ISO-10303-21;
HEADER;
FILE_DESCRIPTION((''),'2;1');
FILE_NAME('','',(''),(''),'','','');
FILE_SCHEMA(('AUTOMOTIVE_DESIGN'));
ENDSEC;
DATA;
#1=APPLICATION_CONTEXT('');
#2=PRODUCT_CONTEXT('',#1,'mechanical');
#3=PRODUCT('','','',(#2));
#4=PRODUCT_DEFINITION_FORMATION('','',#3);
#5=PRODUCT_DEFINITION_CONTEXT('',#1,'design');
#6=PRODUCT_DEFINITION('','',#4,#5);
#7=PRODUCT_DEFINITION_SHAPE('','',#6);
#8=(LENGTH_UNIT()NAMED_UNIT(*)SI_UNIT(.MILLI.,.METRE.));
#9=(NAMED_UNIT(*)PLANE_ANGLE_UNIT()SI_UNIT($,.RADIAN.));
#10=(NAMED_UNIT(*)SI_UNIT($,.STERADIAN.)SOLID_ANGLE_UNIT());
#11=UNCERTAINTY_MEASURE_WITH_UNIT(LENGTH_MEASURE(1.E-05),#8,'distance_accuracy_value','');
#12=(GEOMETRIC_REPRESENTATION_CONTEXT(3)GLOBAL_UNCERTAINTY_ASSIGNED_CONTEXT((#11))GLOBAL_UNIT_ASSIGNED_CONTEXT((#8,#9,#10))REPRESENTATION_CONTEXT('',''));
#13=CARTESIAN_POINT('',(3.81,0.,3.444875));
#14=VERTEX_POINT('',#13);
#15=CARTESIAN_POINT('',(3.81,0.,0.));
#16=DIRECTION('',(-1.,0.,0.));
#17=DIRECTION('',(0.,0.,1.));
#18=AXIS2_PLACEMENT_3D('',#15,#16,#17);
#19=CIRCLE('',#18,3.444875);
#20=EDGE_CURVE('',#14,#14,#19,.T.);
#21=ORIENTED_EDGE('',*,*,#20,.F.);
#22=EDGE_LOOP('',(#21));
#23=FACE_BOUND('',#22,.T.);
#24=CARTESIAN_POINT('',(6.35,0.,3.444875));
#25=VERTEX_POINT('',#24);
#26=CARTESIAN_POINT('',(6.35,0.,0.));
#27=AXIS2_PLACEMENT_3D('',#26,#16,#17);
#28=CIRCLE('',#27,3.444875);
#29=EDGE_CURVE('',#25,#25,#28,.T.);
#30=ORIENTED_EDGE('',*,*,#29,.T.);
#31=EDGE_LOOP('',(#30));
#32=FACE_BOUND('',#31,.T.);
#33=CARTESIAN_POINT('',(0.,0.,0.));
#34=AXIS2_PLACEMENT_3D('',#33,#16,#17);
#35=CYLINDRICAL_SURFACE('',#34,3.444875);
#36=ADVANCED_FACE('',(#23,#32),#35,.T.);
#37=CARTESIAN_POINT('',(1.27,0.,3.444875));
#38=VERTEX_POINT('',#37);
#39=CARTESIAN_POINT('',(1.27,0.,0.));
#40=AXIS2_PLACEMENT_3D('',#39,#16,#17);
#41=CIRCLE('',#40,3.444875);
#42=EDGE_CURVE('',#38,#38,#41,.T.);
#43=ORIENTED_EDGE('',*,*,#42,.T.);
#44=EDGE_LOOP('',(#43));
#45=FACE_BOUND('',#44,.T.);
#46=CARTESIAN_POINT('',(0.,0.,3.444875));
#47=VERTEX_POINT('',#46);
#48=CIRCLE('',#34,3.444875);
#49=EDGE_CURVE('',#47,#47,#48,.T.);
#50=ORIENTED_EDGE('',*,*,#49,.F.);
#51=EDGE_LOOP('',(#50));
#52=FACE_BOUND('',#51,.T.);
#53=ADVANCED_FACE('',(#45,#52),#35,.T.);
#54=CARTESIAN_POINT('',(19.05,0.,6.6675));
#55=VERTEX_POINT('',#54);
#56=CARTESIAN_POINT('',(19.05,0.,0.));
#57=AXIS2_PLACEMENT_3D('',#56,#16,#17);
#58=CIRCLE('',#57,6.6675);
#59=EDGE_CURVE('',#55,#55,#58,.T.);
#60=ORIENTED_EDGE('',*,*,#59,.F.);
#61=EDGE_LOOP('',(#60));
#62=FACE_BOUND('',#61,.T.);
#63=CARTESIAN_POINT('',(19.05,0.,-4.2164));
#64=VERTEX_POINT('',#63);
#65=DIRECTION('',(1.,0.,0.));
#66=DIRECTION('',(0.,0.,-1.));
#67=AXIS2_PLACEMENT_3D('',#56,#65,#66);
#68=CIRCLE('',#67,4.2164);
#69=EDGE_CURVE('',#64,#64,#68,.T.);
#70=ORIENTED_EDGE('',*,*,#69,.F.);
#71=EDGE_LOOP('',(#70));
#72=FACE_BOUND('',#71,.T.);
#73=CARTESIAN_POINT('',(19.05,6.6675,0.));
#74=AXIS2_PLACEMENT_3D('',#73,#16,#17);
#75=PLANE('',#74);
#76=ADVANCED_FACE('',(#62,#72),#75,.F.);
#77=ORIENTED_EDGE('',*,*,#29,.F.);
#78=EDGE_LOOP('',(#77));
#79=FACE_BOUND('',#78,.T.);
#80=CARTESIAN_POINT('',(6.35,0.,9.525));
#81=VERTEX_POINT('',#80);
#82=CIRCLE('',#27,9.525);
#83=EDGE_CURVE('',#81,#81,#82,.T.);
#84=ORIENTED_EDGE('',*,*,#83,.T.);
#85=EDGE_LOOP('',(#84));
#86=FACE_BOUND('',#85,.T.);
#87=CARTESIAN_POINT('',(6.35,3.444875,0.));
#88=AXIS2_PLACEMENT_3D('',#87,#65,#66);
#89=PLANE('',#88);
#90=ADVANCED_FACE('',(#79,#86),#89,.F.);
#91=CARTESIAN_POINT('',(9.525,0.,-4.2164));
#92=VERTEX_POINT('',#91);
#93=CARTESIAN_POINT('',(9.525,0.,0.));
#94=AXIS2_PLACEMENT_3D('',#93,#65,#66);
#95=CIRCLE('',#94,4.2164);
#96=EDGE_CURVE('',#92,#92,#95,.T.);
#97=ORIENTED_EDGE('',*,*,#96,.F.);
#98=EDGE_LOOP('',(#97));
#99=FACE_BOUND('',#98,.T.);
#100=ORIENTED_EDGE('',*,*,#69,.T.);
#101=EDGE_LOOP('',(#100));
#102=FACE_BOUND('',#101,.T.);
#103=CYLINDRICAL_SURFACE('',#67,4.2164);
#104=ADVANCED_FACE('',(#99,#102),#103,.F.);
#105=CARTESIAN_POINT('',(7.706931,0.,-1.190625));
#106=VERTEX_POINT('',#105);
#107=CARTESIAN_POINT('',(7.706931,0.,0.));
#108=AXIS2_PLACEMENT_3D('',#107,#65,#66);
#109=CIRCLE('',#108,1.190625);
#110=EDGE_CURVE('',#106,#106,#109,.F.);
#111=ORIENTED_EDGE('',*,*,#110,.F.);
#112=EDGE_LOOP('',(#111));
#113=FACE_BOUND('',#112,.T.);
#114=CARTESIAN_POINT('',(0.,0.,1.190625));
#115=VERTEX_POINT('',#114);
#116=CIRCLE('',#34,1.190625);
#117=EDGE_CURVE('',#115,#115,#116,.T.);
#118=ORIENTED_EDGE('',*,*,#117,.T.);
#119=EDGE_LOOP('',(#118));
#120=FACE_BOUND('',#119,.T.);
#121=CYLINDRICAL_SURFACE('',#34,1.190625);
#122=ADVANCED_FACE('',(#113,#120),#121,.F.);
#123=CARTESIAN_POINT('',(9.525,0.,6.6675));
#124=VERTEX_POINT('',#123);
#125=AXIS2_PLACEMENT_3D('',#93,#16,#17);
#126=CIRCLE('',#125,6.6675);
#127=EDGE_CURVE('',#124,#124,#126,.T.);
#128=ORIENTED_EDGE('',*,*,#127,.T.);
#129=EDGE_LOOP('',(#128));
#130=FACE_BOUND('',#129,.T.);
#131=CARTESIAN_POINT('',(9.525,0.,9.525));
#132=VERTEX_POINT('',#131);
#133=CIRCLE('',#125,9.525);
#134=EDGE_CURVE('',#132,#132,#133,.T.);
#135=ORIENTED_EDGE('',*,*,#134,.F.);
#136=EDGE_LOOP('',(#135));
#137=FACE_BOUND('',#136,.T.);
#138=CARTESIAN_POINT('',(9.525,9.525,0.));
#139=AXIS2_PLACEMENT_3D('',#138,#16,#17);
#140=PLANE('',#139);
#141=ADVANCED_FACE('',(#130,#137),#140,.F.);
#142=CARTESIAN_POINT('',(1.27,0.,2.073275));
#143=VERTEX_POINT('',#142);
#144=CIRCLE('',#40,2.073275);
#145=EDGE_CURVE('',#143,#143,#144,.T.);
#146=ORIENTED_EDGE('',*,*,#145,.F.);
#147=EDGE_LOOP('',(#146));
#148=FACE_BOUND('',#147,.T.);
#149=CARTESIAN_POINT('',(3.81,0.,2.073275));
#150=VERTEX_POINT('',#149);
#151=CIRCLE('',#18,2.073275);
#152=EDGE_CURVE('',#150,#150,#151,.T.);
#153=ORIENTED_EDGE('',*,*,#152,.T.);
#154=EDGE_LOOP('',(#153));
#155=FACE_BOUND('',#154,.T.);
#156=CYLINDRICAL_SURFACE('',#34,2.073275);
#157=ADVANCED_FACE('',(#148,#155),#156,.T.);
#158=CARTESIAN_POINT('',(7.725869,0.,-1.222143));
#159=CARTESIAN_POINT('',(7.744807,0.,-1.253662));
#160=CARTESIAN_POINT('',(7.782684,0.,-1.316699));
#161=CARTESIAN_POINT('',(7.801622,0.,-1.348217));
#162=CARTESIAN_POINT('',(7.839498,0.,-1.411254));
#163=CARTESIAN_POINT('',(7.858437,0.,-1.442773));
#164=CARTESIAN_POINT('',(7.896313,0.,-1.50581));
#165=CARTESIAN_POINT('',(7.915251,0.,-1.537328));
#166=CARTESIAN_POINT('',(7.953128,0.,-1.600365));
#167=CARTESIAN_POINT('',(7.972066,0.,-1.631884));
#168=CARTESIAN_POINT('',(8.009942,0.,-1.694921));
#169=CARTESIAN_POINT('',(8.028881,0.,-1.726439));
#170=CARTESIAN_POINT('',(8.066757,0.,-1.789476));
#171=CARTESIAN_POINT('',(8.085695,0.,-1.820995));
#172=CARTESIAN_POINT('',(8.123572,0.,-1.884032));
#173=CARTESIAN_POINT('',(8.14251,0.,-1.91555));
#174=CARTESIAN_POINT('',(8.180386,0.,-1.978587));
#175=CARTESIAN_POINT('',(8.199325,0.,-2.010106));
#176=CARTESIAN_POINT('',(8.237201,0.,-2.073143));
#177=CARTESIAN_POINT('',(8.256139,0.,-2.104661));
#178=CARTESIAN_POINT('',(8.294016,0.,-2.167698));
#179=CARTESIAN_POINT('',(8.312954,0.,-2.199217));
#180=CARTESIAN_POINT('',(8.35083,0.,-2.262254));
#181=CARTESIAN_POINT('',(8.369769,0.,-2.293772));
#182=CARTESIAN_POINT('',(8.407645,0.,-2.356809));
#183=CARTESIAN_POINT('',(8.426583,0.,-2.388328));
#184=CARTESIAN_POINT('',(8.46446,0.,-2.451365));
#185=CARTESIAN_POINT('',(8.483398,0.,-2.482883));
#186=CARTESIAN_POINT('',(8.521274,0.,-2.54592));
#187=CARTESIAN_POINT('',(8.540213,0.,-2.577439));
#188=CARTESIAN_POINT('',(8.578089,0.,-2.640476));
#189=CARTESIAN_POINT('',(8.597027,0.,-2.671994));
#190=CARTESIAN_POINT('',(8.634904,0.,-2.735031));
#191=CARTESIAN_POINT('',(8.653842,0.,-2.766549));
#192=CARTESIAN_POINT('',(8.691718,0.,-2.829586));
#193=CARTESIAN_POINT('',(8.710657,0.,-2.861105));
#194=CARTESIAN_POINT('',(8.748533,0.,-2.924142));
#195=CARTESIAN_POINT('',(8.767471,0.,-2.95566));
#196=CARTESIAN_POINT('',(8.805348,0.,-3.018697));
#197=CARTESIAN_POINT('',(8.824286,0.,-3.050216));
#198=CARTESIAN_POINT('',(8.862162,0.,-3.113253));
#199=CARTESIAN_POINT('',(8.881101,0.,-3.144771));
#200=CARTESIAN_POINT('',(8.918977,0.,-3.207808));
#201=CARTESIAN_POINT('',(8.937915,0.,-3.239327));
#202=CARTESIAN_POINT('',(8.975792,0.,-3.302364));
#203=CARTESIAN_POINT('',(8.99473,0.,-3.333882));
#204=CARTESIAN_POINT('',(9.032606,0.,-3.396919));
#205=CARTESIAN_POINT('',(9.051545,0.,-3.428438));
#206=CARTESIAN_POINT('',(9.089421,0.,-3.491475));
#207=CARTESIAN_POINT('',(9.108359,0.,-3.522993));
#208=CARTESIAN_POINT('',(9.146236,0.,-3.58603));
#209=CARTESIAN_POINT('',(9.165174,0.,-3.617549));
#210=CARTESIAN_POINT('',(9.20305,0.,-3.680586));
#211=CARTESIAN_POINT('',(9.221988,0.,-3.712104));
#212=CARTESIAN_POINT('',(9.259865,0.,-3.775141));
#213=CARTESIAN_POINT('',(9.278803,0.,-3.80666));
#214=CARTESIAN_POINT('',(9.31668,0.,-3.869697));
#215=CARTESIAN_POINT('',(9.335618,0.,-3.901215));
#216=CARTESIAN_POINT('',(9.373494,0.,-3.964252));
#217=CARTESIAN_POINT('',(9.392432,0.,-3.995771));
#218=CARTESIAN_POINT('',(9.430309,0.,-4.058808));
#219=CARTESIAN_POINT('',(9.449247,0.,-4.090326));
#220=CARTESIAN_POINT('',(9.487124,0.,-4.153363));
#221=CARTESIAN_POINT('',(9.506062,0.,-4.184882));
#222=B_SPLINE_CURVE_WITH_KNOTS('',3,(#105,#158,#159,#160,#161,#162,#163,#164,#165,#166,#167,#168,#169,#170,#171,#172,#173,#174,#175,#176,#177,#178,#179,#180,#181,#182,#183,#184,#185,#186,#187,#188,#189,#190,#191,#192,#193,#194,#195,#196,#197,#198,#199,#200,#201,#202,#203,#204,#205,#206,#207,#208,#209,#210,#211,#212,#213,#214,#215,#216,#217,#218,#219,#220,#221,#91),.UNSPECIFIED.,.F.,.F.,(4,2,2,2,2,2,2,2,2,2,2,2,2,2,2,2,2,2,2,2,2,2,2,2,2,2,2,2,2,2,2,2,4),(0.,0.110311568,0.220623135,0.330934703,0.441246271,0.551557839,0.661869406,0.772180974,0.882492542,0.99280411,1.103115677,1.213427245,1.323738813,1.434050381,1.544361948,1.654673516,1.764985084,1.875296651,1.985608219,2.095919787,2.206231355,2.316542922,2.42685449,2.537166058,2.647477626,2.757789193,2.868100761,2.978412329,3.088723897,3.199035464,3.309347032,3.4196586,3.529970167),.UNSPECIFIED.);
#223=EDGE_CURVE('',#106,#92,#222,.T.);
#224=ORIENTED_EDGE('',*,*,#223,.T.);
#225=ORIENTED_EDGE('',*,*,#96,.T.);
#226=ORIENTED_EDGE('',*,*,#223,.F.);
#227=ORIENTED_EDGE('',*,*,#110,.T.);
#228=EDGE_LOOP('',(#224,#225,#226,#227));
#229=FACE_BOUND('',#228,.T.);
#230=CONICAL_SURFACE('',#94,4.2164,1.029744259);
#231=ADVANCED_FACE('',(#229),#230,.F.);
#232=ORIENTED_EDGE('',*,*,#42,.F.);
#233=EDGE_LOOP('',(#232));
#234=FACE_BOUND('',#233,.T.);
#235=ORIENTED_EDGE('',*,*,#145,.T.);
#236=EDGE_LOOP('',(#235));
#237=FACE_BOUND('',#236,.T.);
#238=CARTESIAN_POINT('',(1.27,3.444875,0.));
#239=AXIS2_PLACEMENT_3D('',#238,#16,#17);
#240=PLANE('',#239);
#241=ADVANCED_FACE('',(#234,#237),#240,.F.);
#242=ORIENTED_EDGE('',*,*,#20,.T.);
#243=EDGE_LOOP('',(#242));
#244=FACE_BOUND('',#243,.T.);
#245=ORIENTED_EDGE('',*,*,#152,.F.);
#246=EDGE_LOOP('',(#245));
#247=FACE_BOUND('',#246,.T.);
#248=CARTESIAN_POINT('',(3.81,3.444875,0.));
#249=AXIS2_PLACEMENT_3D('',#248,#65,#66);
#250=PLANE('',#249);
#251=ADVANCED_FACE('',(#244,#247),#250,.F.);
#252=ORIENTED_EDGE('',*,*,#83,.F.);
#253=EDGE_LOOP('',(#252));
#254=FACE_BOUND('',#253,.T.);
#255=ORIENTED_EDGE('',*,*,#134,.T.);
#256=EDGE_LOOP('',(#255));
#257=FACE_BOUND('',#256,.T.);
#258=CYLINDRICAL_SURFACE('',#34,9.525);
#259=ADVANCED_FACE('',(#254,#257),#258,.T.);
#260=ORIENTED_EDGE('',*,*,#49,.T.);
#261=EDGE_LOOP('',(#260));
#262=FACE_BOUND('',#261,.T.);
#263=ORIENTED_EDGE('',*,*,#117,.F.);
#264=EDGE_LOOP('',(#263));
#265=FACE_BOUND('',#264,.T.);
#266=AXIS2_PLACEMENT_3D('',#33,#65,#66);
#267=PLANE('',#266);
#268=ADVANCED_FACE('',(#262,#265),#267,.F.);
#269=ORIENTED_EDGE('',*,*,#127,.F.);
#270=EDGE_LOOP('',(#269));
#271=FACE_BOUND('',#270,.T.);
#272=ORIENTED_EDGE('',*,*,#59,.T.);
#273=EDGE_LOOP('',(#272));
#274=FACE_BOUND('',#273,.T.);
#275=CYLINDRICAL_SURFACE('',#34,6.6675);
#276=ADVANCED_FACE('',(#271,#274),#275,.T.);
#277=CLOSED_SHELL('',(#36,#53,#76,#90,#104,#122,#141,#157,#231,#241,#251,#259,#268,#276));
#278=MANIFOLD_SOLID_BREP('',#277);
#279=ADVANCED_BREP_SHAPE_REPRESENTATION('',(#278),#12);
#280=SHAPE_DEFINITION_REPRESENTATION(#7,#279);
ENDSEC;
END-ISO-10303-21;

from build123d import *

# Parameters (mm, degrees)
PIPE_TAP_DRILL_FOR_1_8_TAP1_D       = 8.4328
PIPE_TAP_DRILL_FOR_1_8_TAP1_DEPTH   = 9.525
PIPE_TAP_DRILL_FOR_1_8_TAP1_TIP     = 2.533468714
F_3_32_0_09375_DIAMETER_HOLE2_D     = 2.38125
F_3_32_0_09375_DIAMETER_HOLE2_DEPTH = 12.7
F_3_32_0_09375_DIAMETER_HOLE2_TIP   = 0.715399675


with BuildPart() as part:
    # Sketch1 → Revolve1 (revolve)
    with BuildSketch(Plane.XY, mode=Mode.PRIVATE) as revolve1_sk:
        Polygon((6.35, 3.444875), (6.35, 9.525), (9.525, 9.525), (9.525, 6.6675), (19.05, 6.6675), (19.05, 0), (0, 0), (0, 3.444875), (1.27, 3.444875), (1.27, 2.073275), (3.81, 2.073275), (3.81, 3.444875), align=None)
    revolve(revolve1_sk.sketch.rotate(Axis((0, 0, 0), (1, 0, 0)), 90), axis=Axis((0, 0, 0), (1, 0, 0)))

    # Pipe Tap Drill for 1/8 Tap1
    with Locations(Plane(origin=(19.05, 0, 0), x_dir=(0, 0, -1), z_dir=(1, 0, 0))):
        with Locations((0, 0)):
            Hole(PIPE_TAP_DRILL_FOR_1_8_TAP1_D / 2, depth=PIPE_TAP_DRILL_FOR_1_8_TAP1_DEPTH)
            with Locations((0, 0, -(PIPE_TAP_DRILL_FOR_1_8_TAP1_DEPTH + PIPE_TAP_DRILL_FOR_1_8_TAP1_TIP / 2))):  # 118° drill point
                Cone(0, PIPE_TAP_DRILL_FOR_1_8_TAP1_D / 2, PIPE_TAP_DRILL_FOR_1_8_TAP1_TIP, mode=Mode.SUBTRACT)

    # 3/32 (0.09375) Diameter Hole2
    with Locations(Plane.ZY):
        with Locations((0, 0)):
            Hole(F_3_32_0_09375_DIAMETER_HOLE2_D / 2, depth=F_3_32_0_09375_DIAMETER_HOLE2_DEPTH)
            with Locations((0, 0, -(F_3_32_0_09375_DIAMETER_HOLE2_DEPTH + F_3_32_0_09375_DIAMETER_HOLE2_TIP / 2))):  # 118° drill point
                Cone(0, F_3_32_0_09375_DIAMETER_HOLE2_D / 2, F_3_32_0_09375_DIAMETER_HOLE2_TIP, mode=Mode.SUBTRACT)


solid = part.part
